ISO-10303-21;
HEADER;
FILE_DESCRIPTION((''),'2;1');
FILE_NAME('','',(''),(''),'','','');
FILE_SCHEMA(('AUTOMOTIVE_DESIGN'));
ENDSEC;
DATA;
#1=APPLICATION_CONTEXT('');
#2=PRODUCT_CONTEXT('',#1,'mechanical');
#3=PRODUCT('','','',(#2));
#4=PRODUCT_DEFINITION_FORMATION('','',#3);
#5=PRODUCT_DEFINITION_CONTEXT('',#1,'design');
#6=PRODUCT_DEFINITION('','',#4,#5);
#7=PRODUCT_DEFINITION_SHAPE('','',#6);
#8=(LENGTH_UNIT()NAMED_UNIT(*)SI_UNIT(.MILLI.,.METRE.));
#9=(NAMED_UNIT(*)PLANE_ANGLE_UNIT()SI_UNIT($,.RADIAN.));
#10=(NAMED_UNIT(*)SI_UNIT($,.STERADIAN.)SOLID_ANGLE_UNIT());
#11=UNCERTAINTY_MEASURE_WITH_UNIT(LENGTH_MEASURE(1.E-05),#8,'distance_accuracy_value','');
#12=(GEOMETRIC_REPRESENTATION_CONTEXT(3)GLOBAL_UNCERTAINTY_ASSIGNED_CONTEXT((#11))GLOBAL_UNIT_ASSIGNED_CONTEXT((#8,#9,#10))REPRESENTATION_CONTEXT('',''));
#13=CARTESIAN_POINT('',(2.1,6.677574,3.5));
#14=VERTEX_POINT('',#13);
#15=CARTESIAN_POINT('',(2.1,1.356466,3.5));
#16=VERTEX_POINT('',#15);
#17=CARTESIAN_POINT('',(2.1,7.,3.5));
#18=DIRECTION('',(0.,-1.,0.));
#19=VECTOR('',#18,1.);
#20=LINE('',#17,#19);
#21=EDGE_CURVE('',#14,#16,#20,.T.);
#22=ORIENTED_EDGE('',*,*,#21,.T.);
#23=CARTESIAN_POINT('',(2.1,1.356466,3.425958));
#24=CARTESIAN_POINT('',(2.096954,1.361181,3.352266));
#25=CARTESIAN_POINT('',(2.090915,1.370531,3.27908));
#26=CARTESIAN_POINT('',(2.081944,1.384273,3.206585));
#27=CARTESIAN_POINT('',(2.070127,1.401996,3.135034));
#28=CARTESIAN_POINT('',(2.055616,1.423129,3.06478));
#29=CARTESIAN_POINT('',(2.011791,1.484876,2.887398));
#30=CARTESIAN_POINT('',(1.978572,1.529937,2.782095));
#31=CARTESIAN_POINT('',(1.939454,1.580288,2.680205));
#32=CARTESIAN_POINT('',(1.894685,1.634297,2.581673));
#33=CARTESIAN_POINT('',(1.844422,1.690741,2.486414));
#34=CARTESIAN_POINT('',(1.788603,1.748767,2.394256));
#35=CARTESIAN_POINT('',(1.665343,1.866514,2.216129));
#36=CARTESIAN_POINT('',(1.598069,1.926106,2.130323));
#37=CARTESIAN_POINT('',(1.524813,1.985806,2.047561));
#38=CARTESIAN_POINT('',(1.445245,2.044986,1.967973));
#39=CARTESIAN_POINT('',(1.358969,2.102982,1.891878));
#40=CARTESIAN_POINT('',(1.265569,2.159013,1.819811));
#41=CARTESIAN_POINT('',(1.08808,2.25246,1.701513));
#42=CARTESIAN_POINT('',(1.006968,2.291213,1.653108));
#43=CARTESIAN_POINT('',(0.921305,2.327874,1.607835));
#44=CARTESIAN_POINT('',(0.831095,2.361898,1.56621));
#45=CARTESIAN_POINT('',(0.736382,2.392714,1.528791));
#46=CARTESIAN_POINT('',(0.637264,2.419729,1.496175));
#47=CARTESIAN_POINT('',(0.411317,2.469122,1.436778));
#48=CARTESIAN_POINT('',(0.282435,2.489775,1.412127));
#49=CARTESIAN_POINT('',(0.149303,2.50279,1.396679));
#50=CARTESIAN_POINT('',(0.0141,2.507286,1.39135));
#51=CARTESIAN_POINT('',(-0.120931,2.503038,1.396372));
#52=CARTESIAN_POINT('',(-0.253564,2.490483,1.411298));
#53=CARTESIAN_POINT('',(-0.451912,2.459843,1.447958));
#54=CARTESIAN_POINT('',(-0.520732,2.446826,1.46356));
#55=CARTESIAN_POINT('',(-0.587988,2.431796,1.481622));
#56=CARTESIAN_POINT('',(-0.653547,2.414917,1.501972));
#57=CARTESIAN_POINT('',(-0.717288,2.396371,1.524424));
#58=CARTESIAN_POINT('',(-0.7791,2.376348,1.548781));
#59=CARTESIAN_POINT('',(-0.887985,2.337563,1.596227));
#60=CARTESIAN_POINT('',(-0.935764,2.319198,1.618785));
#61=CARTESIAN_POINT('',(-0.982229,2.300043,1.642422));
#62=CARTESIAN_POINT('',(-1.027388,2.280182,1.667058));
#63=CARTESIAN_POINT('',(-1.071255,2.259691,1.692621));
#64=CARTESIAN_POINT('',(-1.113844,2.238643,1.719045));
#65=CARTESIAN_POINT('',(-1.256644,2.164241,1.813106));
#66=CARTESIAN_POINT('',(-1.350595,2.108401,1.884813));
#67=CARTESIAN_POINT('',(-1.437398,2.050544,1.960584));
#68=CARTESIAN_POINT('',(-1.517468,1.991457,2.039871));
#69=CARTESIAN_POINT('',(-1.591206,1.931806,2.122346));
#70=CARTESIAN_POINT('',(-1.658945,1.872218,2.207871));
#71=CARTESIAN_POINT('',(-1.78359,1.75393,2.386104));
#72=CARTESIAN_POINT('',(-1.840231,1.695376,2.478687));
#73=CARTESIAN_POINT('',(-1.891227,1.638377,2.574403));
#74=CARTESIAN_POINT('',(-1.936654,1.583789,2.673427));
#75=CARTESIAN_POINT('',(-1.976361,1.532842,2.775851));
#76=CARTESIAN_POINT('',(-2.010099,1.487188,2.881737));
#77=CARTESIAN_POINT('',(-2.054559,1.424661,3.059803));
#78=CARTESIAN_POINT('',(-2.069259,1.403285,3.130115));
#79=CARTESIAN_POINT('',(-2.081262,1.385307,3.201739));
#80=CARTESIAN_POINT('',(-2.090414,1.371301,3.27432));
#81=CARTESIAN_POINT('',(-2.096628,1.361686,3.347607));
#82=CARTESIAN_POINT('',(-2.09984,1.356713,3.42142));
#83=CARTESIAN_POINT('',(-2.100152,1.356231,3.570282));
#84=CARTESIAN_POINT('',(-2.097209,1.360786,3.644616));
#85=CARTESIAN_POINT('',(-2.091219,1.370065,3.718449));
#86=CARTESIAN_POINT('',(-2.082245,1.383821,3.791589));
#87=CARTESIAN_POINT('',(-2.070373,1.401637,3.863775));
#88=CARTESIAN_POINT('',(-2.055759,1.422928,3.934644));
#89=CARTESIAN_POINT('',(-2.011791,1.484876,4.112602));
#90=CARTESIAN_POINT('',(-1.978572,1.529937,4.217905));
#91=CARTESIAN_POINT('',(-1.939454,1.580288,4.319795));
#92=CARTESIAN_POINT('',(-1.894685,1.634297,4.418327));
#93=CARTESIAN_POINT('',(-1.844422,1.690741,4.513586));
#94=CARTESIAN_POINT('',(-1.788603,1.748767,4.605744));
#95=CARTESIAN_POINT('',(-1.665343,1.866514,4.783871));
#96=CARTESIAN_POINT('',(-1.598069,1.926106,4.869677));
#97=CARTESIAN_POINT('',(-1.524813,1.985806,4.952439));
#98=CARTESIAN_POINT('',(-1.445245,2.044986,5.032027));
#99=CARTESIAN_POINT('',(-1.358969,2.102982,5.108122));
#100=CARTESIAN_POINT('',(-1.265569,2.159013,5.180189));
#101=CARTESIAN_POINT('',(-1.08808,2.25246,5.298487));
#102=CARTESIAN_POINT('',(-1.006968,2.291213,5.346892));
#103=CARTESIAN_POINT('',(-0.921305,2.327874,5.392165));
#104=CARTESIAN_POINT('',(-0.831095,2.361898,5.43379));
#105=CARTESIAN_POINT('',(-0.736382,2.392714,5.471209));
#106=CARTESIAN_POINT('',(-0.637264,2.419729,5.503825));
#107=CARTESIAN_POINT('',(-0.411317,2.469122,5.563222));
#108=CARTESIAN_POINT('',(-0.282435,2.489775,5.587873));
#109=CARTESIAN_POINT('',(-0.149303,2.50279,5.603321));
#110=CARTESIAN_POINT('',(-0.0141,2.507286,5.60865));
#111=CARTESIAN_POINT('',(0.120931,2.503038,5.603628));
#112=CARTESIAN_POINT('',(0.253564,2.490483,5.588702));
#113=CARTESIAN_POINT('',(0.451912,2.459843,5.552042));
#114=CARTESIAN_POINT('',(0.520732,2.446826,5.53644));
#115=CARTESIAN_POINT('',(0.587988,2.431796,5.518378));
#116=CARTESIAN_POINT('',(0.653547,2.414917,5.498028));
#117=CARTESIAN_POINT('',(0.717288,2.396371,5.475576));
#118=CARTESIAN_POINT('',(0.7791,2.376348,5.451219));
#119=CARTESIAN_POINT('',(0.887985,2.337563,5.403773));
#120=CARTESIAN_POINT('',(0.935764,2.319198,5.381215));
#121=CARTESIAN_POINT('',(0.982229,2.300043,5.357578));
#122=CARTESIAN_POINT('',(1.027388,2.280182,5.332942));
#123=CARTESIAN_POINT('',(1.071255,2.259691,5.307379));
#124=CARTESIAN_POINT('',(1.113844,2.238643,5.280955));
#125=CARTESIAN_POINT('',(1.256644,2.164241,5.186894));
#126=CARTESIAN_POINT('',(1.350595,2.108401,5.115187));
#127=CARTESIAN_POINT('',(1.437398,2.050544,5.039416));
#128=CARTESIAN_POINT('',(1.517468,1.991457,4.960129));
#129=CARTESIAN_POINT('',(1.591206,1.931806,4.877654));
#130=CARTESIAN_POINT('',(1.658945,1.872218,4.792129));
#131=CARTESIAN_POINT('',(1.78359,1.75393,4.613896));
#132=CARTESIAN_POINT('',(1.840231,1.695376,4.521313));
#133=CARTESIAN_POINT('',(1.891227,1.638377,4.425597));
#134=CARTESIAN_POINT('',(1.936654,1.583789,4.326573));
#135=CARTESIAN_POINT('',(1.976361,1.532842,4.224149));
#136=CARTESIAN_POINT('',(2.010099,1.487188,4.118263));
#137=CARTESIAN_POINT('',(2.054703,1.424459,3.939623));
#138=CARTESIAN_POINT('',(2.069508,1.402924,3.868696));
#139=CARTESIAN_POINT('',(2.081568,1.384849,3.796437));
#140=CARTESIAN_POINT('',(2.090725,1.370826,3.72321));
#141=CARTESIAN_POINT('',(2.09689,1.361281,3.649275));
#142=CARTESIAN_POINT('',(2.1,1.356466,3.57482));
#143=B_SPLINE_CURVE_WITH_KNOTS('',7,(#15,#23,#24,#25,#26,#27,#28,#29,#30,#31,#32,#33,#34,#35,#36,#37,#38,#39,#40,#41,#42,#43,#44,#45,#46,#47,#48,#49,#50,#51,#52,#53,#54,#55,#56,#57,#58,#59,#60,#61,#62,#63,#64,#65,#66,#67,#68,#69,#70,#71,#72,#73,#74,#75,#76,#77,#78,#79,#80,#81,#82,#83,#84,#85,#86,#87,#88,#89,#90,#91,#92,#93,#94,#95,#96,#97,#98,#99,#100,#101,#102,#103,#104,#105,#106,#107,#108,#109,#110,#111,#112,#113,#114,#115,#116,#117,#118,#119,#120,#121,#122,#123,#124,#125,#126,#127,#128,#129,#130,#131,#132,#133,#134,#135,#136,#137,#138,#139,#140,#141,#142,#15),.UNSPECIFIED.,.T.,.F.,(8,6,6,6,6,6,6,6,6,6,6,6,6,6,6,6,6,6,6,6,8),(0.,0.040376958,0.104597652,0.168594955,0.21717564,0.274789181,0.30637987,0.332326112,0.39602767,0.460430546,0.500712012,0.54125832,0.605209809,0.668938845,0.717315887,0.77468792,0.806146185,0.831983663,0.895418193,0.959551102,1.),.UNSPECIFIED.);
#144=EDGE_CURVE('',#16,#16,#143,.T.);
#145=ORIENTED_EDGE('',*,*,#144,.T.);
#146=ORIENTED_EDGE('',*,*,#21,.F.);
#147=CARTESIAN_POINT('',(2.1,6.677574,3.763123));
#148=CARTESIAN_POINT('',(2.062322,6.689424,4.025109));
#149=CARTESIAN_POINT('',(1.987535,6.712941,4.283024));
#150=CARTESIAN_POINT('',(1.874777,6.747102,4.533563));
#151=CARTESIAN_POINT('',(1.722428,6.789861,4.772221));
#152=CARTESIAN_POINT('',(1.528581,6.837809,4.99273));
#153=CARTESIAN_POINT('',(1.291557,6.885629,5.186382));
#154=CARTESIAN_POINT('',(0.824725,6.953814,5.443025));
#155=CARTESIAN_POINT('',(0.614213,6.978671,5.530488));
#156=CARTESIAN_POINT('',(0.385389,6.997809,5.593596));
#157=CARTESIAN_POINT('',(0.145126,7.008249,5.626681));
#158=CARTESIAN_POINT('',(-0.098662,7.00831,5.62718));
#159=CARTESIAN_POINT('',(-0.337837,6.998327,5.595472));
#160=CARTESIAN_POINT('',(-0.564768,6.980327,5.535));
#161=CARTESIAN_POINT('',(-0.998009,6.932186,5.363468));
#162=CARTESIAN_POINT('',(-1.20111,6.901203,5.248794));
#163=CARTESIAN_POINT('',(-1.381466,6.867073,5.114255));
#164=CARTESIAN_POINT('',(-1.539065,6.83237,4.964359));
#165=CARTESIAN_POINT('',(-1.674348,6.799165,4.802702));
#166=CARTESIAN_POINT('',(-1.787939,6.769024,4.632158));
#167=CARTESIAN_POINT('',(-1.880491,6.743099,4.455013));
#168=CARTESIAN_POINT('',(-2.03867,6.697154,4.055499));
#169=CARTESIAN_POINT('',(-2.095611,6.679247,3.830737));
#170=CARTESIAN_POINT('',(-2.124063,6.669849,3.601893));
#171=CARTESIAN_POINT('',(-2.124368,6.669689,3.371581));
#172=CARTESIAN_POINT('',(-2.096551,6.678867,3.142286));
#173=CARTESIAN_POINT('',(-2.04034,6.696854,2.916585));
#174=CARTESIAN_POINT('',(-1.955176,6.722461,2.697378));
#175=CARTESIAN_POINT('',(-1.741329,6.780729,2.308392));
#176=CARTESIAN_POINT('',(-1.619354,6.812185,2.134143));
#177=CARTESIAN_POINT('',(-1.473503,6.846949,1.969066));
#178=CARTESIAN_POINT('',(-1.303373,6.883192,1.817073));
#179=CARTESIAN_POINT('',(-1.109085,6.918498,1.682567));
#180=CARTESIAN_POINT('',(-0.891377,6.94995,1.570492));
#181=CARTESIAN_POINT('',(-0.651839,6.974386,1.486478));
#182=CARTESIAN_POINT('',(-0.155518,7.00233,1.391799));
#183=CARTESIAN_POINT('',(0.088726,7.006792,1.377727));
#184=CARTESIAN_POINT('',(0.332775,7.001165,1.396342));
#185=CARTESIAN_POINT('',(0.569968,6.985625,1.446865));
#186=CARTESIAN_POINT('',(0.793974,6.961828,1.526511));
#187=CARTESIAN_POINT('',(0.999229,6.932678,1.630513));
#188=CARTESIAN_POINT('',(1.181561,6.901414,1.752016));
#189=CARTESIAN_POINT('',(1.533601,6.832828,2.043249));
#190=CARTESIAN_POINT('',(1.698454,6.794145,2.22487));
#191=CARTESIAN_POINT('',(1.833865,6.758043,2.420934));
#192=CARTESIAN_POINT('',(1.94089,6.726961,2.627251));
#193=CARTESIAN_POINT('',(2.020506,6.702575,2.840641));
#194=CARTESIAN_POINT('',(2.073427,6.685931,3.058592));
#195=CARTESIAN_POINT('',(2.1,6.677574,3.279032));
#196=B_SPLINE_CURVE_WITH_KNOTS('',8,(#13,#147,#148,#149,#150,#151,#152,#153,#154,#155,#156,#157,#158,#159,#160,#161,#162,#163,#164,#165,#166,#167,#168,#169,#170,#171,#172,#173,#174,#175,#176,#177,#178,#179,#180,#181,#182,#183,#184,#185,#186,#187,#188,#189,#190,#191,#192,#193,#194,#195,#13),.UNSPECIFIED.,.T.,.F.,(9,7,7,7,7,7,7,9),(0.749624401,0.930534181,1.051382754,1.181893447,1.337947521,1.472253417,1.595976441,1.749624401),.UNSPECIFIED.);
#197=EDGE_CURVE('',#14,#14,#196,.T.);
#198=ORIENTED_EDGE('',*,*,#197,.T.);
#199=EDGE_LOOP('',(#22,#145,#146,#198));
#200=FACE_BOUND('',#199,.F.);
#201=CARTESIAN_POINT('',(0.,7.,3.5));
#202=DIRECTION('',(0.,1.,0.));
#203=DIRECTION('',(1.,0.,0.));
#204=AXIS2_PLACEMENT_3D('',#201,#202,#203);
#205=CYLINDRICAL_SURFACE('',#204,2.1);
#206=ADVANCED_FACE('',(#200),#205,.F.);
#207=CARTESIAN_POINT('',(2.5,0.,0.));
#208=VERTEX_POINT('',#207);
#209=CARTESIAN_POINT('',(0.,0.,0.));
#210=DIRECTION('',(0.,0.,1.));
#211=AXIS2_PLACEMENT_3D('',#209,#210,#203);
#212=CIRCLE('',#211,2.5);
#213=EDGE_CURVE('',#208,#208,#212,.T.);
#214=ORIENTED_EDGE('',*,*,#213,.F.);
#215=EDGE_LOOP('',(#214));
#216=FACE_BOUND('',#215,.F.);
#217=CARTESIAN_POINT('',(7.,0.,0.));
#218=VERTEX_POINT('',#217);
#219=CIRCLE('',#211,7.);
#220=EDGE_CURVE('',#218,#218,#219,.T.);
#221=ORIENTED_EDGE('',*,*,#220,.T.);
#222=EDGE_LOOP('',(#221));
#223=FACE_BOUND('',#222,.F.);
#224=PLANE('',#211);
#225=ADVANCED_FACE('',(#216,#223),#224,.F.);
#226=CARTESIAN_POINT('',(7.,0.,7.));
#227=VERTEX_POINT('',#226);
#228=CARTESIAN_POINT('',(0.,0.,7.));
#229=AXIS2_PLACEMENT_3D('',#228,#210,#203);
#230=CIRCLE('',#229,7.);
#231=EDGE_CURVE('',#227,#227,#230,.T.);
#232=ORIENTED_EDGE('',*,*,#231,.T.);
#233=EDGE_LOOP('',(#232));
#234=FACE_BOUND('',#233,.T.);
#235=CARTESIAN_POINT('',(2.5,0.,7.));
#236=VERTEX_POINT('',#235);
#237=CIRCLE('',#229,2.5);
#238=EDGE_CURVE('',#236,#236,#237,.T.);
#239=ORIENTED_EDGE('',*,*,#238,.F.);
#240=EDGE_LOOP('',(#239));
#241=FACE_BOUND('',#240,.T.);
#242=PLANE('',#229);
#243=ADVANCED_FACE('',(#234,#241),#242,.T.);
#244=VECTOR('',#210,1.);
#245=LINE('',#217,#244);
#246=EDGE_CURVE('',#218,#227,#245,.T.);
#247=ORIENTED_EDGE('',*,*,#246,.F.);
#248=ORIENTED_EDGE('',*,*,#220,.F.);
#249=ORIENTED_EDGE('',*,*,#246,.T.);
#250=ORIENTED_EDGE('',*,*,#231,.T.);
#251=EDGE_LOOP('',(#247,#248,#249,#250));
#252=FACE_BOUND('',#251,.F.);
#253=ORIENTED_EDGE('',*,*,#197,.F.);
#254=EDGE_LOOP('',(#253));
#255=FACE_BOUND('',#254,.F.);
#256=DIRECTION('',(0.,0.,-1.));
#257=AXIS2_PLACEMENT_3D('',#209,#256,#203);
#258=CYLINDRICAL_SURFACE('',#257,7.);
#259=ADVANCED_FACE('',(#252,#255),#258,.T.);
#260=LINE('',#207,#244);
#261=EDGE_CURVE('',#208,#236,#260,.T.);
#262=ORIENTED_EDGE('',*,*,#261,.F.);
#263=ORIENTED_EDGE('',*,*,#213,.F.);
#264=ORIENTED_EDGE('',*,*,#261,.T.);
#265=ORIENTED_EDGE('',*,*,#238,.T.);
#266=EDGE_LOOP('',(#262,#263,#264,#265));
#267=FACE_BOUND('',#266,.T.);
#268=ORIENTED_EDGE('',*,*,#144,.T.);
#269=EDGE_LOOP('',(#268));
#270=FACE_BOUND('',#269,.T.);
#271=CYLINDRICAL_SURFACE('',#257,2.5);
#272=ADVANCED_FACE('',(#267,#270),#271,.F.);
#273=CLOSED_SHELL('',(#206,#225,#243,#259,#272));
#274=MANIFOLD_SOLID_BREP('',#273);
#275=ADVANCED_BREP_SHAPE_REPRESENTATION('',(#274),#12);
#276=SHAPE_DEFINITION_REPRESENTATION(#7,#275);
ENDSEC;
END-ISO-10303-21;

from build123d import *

# Parameters (mm, degrees)
SKETCH1_R                  = 7
SKETCH1_R_2                = 2.5
BOSS_EXTRUDE1_DEPTH        = 7
M5X0_8_TAPPED_HOLE1_REACH  = 19.146
M5X0_8_TAPPED_HOLE1_BORE_R = 2.1


with BuildPart() as part:
    # Sketch1 → Boss-Extrude1 (new body)
    with BuildSketch(Plane.XY):
        Circle(SKETCH1_R)
        Circle(SKETCH1_R_2, mode=Mode.SUBTRACT)
    extrude(amount=BOSS_EXTRUDE1_DEPTH)

    # M5x0.8 Tapped Hole1 bore → M5x0.8 Tapped Hole1 (cut, up to next)
    with BuildSketch(Plane(origin=(0, 7, 0), x_dir=(1, 0, 0), z_dir=(0, 1, 0)), mode=Mode.PRIVATE) as m5x0_8_tapped_hole1_sk1:
        with Locations((0, -3.5)):
            Circle(M5X0_8_TAPPED_HOLE1_BORE_R)
    m5x0_8_tapped_hole1_tool1 = extrude(m5x0_8_tapped_hole1_sk1.sketch, amount=-M5X0_8_TAPPED_HOLE1_REACH, mode=Mode.PRIVATE) & part.part
    add(m5x0_8_tapped_hole1_tool1.solids().sort_by_distance((0, 7, 3.5))[0], mode=Mode.SUBTRACT)


solid = part.part
